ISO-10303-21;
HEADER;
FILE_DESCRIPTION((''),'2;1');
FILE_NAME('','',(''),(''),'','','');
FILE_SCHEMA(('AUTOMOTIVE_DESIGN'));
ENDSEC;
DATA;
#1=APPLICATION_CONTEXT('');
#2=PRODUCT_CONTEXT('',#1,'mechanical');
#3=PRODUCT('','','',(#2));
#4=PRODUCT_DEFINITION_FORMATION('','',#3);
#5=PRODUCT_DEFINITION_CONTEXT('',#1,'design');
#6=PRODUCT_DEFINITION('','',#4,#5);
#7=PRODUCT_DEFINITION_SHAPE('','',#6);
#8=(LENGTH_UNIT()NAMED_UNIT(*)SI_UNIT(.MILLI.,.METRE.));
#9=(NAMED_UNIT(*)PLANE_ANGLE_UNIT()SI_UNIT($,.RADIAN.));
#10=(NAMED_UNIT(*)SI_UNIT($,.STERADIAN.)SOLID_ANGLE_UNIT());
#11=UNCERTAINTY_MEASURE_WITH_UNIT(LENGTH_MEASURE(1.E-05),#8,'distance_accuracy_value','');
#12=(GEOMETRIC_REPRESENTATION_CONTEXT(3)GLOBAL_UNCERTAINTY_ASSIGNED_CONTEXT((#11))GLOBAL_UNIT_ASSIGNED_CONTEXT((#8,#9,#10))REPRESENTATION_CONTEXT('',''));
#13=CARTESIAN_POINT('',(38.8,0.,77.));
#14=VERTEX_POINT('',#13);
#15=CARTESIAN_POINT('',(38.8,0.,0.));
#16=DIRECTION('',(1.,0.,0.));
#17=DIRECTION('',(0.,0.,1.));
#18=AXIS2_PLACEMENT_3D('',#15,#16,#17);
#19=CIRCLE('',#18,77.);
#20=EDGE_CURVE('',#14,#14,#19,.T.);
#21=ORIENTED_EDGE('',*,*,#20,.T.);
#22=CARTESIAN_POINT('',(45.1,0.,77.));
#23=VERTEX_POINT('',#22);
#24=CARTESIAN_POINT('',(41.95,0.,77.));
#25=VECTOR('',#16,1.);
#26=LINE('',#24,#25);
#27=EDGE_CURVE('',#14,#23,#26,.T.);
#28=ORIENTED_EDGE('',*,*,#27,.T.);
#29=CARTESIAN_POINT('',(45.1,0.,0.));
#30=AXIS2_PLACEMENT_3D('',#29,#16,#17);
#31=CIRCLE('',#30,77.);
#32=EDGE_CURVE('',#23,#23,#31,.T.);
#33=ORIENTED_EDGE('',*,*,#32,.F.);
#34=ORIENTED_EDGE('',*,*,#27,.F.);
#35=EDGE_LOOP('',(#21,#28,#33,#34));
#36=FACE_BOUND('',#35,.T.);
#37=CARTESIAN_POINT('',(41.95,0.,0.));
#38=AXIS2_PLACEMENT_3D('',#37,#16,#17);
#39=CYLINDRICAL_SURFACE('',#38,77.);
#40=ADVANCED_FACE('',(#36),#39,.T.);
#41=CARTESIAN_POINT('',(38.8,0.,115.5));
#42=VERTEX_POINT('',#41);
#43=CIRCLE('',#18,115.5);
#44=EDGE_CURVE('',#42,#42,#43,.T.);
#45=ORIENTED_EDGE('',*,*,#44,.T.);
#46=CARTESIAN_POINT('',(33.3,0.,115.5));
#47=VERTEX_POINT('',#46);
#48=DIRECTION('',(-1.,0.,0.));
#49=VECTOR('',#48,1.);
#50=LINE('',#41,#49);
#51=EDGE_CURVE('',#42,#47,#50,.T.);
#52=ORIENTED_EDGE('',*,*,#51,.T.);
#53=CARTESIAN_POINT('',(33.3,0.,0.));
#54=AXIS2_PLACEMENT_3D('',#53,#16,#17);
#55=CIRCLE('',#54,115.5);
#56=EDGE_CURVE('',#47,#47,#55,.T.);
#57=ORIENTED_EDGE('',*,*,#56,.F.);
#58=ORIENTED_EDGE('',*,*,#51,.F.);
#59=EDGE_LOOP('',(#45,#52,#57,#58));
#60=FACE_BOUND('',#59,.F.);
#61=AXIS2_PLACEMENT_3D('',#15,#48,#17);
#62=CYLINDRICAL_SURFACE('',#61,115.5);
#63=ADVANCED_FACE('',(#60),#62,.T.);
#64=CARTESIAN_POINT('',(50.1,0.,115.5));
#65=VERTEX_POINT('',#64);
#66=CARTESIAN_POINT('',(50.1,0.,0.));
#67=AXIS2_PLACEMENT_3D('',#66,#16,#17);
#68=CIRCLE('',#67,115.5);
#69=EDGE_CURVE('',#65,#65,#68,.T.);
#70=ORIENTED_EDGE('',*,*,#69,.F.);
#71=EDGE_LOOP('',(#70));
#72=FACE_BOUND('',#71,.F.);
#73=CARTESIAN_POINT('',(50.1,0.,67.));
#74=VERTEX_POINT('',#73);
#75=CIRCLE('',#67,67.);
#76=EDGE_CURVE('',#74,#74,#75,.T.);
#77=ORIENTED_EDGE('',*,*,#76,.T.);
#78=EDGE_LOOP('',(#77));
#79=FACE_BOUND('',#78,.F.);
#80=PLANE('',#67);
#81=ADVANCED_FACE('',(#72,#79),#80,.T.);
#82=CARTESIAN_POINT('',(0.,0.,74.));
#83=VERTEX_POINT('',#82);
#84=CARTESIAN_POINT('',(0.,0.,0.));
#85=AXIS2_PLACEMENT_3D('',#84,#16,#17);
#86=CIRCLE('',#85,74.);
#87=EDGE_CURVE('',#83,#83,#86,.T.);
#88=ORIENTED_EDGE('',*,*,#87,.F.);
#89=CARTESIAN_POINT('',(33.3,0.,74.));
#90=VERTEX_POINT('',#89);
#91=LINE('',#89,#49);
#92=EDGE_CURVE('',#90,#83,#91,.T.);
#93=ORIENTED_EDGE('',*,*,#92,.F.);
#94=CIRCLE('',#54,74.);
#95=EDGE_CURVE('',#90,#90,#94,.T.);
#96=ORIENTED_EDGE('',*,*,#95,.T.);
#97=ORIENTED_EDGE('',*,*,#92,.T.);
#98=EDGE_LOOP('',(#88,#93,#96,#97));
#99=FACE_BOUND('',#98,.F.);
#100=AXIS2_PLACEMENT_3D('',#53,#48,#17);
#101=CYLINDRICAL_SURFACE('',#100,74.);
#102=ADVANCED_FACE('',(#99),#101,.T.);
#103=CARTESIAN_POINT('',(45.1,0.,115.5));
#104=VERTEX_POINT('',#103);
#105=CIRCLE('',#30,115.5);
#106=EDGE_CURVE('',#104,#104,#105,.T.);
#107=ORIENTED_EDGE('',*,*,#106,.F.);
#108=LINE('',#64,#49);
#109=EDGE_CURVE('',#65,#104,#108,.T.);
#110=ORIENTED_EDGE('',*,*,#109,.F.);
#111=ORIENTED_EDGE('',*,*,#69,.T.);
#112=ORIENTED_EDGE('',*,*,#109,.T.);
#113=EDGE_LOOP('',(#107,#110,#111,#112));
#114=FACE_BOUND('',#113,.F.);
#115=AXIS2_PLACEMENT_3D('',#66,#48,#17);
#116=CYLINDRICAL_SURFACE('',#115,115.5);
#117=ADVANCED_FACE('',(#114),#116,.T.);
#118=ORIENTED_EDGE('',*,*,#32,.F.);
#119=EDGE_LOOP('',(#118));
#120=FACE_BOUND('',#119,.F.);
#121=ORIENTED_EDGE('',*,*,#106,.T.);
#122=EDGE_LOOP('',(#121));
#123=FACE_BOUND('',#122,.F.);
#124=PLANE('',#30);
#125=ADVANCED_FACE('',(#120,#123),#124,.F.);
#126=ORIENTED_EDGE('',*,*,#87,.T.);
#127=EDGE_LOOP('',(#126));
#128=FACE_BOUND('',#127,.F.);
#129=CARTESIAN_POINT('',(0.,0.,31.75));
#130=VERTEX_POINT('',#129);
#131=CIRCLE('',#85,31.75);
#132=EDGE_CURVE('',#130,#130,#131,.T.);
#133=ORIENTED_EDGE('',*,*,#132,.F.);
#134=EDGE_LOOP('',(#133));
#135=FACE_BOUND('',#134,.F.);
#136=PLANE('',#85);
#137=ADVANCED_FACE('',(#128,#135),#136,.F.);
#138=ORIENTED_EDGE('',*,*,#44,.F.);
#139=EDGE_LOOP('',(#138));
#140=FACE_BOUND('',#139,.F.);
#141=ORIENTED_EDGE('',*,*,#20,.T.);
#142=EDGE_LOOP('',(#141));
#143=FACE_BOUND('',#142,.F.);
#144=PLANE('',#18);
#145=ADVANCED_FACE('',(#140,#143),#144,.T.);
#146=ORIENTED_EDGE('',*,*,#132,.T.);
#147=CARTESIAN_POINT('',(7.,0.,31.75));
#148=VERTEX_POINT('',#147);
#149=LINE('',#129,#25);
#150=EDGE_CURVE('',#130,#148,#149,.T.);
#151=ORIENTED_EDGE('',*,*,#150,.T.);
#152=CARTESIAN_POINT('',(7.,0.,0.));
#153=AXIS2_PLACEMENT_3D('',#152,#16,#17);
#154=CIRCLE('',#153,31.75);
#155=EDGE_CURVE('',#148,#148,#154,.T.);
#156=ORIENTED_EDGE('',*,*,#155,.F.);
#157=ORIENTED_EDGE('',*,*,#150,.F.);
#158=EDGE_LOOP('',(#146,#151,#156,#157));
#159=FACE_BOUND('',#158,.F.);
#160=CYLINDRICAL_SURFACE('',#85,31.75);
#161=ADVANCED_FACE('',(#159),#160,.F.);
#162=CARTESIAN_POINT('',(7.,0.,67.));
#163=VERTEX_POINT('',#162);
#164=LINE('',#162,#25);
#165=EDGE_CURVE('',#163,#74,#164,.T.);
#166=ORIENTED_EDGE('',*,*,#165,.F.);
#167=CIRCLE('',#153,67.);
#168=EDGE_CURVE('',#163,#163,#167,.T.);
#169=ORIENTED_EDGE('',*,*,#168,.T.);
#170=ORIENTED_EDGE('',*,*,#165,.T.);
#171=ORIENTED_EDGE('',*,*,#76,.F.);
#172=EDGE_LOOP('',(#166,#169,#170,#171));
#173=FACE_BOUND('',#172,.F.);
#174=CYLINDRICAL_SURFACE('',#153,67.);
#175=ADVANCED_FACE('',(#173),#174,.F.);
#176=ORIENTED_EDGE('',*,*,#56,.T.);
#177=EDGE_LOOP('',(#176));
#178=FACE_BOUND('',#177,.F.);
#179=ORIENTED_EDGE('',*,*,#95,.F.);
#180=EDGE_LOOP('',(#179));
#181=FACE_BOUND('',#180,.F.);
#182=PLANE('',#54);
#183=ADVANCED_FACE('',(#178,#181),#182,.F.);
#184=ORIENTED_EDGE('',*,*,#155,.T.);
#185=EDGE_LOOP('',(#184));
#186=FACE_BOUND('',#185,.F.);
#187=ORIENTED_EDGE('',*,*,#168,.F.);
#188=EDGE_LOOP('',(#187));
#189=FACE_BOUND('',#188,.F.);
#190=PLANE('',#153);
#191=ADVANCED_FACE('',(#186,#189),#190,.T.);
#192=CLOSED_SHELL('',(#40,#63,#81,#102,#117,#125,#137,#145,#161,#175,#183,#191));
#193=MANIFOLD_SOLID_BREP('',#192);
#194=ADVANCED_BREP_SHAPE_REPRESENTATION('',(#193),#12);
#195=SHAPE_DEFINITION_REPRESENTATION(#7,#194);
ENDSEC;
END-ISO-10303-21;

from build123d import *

# Parameters (mm, degrees)
F0_W = 6.3
F0_H = 10


with BuildPart() as f1:
    # F0 (on Front) → F1 (revolve)
    with BuildSketch(Plane.XZ):
        Polygon((0, 74), (0, 31.75), (7, 31.75), (7, 67), (33.3, 67), (33.3, 74), align=None)
        Polygon((33.3, 115.5), (33.3, 74), (33.3, 67), (38.8, 67), (38.8, 77), (38.8, 115.5), align=None)
        with Locations((41.95, 72)):
            Rectangle(F0_W, F0_H)
        Polygon((45.1, 77), (45.1, 67), (50.1, 67), (50.1, 115.5), (45.1, 115.5), align=None)
    revolve(axis=Axis((16.65, 0, 0), (1, 0, 0)))


solid = f1.part
